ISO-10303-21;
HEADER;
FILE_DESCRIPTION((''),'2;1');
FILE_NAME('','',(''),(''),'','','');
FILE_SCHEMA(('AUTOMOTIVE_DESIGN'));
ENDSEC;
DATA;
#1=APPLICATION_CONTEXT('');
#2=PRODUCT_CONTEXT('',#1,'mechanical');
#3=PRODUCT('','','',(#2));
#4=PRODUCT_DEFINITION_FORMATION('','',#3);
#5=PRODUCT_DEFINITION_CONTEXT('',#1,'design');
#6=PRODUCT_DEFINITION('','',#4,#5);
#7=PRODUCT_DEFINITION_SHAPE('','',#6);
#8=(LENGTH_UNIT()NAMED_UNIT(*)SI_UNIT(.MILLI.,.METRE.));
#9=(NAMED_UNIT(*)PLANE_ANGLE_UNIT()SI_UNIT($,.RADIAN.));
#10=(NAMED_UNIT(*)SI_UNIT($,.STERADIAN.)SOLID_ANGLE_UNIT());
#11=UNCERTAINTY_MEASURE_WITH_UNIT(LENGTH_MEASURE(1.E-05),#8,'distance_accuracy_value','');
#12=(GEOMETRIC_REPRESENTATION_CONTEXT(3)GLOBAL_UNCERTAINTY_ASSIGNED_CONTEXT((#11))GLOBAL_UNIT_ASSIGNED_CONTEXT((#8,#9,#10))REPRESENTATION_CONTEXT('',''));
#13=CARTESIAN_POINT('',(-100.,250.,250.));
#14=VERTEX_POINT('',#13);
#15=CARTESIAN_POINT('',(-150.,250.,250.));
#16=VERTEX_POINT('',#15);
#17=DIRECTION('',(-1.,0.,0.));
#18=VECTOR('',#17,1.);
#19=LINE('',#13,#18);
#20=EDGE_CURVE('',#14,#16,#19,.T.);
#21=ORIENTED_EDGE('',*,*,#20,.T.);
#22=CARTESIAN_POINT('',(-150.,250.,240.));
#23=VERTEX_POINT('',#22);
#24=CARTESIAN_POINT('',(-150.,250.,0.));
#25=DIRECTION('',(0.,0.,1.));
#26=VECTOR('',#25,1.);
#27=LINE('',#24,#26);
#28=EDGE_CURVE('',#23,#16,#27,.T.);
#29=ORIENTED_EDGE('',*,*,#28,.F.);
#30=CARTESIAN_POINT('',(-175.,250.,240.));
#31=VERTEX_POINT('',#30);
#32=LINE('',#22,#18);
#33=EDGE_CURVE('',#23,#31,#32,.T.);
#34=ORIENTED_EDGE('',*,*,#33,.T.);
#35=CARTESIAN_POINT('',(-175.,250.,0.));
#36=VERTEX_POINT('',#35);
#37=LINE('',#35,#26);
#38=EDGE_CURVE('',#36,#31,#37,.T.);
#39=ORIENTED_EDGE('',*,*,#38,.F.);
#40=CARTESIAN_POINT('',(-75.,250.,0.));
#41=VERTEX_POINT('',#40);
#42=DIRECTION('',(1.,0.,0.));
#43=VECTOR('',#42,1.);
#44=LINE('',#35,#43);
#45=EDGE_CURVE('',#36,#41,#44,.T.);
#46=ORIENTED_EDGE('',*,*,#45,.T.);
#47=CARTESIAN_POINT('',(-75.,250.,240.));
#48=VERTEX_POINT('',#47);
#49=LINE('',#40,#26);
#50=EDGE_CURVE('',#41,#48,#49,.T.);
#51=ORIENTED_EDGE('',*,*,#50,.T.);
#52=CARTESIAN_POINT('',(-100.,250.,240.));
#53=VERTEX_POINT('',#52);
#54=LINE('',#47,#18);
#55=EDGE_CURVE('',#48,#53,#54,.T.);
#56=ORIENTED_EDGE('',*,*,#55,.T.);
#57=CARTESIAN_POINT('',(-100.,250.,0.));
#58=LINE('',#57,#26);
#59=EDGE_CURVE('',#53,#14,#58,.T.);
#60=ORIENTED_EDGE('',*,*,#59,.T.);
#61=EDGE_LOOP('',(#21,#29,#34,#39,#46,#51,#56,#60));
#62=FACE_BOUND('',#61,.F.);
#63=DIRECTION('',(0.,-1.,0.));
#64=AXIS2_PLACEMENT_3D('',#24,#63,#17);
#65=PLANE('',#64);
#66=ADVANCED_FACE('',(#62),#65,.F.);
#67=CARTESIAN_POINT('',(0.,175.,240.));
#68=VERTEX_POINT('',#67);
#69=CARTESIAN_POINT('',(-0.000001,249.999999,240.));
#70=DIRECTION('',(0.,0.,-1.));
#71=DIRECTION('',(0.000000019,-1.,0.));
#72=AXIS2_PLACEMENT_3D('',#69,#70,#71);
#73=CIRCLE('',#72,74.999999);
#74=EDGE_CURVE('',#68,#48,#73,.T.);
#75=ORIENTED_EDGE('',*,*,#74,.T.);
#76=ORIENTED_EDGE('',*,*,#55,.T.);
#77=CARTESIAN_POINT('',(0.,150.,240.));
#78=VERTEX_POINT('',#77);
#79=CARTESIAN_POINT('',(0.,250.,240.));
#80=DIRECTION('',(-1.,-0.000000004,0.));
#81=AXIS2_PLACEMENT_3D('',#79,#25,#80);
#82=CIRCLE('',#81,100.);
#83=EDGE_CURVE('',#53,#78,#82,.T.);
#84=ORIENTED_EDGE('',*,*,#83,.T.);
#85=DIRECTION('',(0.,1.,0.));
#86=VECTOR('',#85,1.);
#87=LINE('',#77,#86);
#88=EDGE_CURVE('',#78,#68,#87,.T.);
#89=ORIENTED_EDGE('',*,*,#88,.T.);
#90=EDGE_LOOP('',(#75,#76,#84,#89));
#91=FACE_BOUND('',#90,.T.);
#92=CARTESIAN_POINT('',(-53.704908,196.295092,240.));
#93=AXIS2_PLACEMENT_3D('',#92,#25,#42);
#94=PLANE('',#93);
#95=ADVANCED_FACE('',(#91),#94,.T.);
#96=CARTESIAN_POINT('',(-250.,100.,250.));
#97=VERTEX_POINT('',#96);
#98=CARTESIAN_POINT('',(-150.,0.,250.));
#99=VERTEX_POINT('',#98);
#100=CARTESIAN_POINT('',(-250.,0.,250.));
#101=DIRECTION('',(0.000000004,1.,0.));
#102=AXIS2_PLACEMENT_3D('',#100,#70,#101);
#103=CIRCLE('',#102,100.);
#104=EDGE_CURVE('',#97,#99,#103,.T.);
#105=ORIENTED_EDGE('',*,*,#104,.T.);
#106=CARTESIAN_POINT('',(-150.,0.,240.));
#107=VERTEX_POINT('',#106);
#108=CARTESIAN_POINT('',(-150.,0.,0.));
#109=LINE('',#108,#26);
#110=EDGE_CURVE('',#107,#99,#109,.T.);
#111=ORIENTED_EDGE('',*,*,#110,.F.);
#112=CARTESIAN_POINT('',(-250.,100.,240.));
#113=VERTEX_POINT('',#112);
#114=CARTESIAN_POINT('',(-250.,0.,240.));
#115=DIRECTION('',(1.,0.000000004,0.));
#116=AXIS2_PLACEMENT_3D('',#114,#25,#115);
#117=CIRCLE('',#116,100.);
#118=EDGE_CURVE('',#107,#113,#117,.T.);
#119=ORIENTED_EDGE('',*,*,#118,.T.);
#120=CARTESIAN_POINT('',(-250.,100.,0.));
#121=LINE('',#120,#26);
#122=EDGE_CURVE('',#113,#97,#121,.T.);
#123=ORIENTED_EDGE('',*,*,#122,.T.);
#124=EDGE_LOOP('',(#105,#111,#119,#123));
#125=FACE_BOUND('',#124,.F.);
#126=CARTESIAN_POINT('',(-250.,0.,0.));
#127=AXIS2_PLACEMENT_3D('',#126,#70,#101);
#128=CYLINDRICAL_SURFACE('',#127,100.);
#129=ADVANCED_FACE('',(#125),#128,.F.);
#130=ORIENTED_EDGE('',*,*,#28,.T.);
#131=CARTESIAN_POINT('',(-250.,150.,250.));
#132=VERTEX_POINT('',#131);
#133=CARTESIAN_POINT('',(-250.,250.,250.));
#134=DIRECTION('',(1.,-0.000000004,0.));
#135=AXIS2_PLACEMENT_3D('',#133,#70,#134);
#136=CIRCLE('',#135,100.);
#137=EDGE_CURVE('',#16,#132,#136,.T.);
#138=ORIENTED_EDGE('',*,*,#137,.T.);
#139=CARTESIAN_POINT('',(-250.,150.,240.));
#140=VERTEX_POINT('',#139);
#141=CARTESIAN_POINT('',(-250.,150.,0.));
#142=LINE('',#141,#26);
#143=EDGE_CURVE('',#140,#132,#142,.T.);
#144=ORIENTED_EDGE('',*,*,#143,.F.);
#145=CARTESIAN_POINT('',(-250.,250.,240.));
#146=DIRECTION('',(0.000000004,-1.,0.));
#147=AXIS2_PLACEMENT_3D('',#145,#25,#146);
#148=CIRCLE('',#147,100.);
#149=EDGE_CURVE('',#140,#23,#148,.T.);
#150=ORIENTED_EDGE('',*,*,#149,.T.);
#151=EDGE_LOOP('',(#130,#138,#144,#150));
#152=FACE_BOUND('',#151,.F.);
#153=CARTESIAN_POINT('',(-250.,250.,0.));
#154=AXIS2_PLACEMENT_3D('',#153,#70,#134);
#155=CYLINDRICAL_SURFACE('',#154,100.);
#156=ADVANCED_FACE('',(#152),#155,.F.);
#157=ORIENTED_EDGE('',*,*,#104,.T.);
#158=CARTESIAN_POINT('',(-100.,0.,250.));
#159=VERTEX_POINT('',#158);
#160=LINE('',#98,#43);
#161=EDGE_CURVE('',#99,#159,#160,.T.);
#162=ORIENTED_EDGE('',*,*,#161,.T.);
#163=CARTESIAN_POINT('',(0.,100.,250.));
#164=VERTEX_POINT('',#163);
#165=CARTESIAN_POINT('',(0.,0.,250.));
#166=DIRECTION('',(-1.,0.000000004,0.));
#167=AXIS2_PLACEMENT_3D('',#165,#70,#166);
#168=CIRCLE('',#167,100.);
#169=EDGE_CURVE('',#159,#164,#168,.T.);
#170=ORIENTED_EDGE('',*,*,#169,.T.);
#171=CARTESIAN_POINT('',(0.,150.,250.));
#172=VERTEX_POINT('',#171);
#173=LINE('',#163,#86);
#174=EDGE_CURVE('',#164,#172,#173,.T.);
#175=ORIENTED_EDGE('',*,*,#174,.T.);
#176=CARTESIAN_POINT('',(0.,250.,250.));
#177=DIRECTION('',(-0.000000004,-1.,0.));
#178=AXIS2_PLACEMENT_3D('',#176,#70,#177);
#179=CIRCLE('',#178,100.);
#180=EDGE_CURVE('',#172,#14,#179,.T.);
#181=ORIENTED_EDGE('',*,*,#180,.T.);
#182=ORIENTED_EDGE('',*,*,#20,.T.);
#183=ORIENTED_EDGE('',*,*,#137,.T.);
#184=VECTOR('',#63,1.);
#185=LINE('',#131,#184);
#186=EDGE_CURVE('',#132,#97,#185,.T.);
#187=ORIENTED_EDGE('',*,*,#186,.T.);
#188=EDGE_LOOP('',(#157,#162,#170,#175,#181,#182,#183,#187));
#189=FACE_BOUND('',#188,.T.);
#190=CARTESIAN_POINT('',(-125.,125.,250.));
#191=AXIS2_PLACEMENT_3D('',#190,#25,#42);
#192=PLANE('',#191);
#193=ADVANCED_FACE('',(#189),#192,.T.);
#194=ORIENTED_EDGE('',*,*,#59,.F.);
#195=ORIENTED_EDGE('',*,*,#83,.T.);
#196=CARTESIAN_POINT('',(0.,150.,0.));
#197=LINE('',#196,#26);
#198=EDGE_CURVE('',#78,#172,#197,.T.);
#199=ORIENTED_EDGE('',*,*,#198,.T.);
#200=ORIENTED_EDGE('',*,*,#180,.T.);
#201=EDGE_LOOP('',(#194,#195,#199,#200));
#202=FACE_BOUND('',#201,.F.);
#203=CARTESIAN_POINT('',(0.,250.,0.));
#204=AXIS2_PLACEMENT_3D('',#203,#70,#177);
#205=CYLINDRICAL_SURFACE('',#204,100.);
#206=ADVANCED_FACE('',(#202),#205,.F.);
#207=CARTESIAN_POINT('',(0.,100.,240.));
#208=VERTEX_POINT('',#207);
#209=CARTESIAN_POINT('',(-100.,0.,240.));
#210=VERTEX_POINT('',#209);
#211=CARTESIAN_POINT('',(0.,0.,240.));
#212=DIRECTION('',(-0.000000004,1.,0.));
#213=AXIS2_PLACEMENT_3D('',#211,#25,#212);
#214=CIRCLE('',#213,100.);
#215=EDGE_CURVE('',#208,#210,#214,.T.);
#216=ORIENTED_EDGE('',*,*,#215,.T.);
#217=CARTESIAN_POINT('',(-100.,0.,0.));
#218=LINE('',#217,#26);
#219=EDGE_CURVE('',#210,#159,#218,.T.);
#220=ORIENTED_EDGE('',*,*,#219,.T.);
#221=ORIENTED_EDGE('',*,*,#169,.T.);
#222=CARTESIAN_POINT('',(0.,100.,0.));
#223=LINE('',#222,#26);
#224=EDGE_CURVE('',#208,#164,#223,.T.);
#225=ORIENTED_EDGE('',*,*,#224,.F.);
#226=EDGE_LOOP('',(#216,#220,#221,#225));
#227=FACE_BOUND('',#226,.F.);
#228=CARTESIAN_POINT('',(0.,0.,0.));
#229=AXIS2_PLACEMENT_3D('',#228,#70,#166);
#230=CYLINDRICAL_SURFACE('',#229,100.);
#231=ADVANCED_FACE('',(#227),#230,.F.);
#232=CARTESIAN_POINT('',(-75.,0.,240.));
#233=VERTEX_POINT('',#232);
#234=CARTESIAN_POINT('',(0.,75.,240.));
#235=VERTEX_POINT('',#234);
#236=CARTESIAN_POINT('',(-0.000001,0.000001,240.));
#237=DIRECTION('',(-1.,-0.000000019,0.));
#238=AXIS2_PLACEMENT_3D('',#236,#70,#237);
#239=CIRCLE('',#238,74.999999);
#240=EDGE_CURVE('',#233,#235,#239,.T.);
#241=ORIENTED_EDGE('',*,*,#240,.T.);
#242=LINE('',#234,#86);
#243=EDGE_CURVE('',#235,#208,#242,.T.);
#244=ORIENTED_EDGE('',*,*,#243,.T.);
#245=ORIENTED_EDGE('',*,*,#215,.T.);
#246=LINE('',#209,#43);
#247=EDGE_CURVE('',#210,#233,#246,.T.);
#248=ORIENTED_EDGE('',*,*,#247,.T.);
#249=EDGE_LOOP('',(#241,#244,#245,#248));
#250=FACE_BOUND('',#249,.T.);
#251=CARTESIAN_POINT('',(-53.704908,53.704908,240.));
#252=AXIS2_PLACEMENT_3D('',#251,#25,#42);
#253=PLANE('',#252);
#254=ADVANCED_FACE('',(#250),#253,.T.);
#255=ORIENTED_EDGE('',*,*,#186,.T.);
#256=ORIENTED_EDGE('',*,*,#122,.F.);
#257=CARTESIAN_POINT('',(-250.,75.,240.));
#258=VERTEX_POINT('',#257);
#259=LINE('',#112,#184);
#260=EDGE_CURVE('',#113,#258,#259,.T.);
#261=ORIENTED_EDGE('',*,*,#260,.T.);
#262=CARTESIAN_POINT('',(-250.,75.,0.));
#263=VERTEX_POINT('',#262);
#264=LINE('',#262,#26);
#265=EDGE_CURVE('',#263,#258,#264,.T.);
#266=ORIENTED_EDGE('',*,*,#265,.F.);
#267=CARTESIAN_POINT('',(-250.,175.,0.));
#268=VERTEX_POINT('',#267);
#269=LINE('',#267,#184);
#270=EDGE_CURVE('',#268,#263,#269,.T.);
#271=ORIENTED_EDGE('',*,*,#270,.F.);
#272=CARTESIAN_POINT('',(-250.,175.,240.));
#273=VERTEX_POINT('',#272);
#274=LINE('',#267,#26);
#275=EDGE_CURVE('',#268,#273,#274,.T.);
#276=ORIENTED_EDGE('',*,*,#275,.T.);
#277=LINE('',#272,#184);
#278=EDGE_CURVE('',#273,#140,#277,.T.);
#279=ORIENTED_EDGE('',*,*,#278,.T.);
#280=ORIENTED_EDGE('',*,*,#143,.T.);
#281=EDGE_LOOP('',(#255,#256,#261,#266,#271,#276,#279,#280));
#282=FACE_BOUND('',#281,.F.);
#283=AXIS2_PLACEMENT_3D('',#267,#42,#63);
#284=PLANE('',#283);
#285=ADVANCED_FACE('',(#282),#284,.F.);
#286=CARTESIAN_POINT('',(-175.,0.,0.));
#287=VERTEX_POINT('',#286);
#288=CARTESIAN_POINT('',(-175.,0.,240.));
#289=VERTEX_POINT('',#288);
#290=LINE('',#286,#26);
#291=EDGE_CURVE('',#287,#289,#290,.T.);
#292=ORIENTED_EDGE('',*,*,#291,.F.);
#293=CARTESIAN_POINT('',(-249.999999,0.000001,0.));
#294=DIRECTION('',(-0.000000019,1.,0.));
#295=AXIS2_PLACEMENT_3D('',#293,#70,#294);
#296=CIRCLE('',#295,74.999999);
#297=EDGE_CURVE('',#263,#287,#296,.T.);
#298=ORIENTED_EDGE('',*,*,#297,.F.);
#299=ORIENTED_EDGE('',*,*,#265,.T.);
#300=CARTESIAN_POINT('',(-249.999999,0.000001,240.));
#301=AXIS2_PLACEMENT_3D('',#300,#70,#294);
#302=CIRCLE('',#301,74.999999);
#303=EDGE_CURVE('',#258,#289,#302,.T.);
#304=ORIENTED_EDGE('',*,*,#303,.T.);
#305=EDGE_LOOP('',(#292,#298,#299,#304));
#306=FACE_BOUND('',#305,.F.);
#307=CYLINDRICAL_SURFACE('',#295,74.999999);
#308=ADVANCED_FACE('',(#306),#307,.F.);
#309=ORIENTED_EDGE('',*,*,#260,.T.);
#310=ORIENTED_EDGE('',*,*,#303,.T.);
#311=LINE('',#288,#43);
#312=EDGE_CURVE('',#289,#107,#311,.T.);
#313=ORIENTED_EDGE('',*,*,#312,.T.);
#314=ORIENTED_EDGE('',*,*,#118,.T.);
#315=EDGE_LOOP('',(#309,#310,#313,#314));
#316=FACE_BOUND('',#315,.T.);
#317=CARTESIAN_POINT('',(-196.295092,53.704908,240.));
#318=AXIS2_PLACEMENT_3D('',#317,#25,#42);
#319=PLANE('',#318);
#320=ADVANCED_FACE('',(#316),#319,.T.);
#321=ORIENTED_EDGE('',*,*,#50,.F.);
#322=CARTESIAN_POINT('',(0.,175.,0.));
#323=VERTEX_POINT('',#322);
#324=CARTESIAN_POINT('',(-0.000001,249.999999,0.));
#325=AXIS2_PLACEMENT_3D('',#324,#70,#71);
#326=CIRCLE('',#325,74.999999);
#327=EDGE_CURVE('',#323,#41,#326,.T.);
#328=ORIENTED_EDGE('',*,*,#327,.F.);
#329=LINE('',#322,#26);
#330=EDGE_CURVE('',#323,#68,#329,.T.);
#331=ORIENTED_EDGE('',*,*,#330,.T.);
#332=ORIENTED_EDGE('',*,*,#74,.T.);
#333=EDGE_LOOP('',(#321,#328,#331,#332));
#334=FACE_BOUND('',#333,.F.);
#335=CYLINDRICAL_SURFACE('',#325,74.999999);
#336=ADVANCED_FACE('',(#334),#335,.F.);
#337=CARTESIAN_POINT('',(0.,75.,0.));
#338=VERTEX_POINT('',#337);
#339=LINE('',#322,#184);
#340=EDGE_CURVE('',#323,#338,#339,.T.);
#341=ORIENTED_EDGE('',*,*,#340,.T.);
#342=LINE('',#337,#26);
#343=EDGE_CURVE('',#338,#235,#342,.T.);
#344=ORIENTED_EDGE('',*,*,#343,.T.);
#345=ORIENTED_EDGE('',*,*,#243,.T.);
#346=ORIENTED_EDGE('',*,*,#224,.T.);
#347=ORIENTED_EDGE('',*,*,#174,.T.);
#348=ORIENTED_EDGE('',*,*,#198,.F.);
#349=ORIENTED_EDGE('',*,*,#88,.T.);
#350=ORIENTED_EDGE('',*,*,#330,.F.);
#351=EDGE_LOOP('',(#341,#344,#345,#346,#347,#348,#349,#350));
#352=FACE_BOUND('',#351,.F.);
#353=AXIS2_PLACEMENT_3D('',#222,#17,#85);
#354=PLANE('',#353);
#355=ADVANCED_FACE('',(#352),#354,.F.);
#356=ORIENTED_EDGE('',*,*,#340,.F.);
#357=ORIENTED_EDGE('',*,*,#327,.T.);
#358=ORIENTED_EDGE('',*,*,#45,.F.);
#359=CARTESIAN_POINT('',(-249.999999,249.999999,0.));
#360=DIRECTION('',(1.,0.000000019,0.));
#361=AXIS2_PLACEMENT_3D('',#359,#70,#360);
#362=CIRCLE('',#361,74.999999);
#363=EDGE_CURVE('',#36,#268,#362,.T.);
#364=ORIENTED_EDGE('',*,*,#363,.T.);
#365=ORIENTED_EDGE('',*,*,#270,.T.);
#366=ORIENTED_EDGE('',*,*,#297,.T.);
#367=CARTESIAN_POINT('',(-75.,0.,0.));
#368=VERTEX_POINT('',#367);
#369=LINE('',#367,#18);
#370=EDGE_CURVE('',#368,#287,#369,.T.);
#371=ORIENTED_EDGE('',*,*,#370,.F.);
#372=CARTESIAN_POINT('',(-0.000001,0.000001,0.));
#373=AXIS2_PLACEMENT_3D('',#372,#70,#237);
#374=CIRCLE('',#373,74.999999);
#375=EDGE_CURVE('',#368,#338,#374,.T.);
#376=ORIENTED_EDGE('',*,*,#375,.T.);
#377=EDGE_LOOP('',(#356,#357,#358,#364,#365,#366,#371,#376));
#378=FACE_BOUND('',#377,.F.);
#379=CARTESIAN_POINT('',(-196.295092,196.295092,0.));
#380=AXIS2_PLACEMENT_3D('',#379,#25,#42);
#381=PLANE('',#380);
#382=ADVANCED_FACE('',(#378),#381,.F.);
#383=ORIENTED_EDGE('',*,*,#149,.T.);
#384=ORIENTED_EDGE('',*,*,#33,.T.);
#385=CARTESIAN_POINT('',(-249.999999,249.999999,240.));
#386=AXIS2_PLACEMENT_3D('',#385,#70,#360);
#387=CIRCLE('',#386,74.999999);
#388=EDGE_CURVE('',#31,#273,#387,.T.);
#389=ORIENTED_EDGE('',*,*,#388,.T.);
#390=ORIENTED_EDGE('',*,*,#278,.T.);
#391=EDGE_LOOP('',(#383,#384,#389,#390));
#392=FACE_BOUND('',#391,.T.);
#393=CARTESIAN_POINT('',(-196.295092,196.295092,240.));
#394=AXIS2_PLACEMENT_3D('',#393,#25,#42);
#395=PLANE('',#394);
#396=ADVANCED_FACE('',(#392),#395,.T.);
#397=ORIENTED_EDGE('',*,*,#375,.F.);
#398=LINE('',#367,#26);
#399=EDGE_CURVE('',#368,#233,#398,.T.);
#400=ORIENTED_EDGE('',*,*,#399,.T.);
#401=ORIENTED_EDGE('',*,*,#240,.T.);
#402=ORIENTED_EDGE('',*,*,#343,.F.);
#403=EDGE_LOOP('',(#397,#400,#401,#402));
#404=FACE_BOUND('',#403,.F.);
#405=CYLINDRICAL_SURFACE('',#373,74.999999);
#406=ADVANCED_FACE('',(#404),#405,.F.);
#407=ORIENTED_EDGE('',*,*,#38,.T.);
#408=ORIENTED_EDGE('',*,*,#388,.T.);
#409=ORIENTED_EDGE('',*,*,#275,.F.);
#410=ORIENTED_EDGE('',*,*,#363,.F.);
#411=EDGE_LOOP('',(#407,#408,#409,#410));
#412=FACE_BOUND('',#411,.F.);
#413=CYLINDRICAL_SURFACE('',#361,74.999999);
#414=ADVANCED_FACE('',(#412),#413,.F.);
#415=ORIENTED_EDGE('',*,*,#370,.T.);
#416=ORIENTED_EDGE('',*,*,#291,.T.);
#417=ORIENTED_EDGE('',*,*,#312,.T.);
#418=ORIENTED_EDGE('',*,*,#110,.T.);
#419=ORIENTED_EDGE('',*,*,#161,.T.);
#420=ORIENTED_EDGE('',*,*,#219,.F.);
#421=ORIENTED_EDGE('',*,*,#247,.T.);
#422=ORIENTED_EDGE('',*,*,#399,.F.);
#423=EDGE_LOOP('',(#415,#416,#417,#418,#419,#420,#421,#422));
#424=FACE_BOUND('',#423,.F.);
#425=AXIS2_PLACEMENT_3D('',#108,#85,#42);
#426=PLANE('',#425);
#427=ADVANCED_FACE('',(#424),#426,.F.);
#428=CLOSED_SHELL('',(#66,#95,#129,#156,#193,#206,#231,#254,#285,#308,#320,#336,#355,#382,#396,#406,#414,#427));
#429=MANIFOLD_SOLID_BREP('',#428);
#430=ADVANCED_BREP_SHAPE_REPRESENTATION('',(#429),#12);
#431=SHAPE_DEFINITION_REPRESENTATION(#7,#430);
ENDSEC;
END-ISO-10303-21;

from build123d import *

# Parameters (mm, degrees)
F1_DEPTH = 250
F2_DEPTH = 240


with BuildPart() as f1:
    # F0 (on Top) → F1 (new body)
    with BuildSketch(Plane.XY):
        with BuildLine():
            Line((-250, 150), (-250, 100))
            ThreePointArc((-250, 100), (-179.289322, 70.710678), (-150, 0))
            Line((-150, 0), (-100, 0))
            ThreePointArc((-100, 0), (-70.710678, 70.710678), (0, 100))
            Line((0, 100), (0, 150))
            ThreePointArc((0, 150), (-70.710678, 179.289322), (-100, 250))
            Line((-100, 250), (-150, 250))
            ThreePointArc((-150, 250), (-179.289322, 179.289322), (-250, 150))
        make_face()
    extrude(amount=F1_DEPTH)

    # F0 (on Top) → F2 (join)
    with BuildSketch(Plane.XY):
        with BuildLine():
            Line((-250, 175), (-250, 150))
            ThreePointArc((-250, 150), (-179.289322, 179.289322), (-150, 250))
            Line((-150, 250), (-175, 250))
            ThreePointArc((-175, 250), (-196.966991, 196.966991), (-250, 175))
        make_face()
        with BuildLine():
            Line((-250, 100), (-250, 75))
            ThreePointArc((-250, 75), (-196.966991, 53.033009), (-175, 0))
            Line((-175, 0), (-150, 0))
            ThreePointArc((-150, 0), (-179.289322, 70.710678), (-250, 100))
        make_face()
        with BuildLine():
            ThreePointArc((0, 100), (-70.710678, 70.710678), (-100, 0))
            Line((-100, 0), (-75, 0))
            ThreePointArc((-75, 0), (-53.033009, 53.033009), (0, 75))
            Line((0, 75), (0, 100))
        make_face()
        with BuildLine():
            Line((-75, 250), (-100, 250))
            ThreePointArc((-100, 250), (-70.710678, 179.289322), (0, 150))
            Line((0, 150), (0, 175))
            ThreePointArc((0, 175), (-53.033009, 196.966991), (-75, 250))
        make_face()
    extrude(amount=F2_DEPTH)


solid = f1.part
